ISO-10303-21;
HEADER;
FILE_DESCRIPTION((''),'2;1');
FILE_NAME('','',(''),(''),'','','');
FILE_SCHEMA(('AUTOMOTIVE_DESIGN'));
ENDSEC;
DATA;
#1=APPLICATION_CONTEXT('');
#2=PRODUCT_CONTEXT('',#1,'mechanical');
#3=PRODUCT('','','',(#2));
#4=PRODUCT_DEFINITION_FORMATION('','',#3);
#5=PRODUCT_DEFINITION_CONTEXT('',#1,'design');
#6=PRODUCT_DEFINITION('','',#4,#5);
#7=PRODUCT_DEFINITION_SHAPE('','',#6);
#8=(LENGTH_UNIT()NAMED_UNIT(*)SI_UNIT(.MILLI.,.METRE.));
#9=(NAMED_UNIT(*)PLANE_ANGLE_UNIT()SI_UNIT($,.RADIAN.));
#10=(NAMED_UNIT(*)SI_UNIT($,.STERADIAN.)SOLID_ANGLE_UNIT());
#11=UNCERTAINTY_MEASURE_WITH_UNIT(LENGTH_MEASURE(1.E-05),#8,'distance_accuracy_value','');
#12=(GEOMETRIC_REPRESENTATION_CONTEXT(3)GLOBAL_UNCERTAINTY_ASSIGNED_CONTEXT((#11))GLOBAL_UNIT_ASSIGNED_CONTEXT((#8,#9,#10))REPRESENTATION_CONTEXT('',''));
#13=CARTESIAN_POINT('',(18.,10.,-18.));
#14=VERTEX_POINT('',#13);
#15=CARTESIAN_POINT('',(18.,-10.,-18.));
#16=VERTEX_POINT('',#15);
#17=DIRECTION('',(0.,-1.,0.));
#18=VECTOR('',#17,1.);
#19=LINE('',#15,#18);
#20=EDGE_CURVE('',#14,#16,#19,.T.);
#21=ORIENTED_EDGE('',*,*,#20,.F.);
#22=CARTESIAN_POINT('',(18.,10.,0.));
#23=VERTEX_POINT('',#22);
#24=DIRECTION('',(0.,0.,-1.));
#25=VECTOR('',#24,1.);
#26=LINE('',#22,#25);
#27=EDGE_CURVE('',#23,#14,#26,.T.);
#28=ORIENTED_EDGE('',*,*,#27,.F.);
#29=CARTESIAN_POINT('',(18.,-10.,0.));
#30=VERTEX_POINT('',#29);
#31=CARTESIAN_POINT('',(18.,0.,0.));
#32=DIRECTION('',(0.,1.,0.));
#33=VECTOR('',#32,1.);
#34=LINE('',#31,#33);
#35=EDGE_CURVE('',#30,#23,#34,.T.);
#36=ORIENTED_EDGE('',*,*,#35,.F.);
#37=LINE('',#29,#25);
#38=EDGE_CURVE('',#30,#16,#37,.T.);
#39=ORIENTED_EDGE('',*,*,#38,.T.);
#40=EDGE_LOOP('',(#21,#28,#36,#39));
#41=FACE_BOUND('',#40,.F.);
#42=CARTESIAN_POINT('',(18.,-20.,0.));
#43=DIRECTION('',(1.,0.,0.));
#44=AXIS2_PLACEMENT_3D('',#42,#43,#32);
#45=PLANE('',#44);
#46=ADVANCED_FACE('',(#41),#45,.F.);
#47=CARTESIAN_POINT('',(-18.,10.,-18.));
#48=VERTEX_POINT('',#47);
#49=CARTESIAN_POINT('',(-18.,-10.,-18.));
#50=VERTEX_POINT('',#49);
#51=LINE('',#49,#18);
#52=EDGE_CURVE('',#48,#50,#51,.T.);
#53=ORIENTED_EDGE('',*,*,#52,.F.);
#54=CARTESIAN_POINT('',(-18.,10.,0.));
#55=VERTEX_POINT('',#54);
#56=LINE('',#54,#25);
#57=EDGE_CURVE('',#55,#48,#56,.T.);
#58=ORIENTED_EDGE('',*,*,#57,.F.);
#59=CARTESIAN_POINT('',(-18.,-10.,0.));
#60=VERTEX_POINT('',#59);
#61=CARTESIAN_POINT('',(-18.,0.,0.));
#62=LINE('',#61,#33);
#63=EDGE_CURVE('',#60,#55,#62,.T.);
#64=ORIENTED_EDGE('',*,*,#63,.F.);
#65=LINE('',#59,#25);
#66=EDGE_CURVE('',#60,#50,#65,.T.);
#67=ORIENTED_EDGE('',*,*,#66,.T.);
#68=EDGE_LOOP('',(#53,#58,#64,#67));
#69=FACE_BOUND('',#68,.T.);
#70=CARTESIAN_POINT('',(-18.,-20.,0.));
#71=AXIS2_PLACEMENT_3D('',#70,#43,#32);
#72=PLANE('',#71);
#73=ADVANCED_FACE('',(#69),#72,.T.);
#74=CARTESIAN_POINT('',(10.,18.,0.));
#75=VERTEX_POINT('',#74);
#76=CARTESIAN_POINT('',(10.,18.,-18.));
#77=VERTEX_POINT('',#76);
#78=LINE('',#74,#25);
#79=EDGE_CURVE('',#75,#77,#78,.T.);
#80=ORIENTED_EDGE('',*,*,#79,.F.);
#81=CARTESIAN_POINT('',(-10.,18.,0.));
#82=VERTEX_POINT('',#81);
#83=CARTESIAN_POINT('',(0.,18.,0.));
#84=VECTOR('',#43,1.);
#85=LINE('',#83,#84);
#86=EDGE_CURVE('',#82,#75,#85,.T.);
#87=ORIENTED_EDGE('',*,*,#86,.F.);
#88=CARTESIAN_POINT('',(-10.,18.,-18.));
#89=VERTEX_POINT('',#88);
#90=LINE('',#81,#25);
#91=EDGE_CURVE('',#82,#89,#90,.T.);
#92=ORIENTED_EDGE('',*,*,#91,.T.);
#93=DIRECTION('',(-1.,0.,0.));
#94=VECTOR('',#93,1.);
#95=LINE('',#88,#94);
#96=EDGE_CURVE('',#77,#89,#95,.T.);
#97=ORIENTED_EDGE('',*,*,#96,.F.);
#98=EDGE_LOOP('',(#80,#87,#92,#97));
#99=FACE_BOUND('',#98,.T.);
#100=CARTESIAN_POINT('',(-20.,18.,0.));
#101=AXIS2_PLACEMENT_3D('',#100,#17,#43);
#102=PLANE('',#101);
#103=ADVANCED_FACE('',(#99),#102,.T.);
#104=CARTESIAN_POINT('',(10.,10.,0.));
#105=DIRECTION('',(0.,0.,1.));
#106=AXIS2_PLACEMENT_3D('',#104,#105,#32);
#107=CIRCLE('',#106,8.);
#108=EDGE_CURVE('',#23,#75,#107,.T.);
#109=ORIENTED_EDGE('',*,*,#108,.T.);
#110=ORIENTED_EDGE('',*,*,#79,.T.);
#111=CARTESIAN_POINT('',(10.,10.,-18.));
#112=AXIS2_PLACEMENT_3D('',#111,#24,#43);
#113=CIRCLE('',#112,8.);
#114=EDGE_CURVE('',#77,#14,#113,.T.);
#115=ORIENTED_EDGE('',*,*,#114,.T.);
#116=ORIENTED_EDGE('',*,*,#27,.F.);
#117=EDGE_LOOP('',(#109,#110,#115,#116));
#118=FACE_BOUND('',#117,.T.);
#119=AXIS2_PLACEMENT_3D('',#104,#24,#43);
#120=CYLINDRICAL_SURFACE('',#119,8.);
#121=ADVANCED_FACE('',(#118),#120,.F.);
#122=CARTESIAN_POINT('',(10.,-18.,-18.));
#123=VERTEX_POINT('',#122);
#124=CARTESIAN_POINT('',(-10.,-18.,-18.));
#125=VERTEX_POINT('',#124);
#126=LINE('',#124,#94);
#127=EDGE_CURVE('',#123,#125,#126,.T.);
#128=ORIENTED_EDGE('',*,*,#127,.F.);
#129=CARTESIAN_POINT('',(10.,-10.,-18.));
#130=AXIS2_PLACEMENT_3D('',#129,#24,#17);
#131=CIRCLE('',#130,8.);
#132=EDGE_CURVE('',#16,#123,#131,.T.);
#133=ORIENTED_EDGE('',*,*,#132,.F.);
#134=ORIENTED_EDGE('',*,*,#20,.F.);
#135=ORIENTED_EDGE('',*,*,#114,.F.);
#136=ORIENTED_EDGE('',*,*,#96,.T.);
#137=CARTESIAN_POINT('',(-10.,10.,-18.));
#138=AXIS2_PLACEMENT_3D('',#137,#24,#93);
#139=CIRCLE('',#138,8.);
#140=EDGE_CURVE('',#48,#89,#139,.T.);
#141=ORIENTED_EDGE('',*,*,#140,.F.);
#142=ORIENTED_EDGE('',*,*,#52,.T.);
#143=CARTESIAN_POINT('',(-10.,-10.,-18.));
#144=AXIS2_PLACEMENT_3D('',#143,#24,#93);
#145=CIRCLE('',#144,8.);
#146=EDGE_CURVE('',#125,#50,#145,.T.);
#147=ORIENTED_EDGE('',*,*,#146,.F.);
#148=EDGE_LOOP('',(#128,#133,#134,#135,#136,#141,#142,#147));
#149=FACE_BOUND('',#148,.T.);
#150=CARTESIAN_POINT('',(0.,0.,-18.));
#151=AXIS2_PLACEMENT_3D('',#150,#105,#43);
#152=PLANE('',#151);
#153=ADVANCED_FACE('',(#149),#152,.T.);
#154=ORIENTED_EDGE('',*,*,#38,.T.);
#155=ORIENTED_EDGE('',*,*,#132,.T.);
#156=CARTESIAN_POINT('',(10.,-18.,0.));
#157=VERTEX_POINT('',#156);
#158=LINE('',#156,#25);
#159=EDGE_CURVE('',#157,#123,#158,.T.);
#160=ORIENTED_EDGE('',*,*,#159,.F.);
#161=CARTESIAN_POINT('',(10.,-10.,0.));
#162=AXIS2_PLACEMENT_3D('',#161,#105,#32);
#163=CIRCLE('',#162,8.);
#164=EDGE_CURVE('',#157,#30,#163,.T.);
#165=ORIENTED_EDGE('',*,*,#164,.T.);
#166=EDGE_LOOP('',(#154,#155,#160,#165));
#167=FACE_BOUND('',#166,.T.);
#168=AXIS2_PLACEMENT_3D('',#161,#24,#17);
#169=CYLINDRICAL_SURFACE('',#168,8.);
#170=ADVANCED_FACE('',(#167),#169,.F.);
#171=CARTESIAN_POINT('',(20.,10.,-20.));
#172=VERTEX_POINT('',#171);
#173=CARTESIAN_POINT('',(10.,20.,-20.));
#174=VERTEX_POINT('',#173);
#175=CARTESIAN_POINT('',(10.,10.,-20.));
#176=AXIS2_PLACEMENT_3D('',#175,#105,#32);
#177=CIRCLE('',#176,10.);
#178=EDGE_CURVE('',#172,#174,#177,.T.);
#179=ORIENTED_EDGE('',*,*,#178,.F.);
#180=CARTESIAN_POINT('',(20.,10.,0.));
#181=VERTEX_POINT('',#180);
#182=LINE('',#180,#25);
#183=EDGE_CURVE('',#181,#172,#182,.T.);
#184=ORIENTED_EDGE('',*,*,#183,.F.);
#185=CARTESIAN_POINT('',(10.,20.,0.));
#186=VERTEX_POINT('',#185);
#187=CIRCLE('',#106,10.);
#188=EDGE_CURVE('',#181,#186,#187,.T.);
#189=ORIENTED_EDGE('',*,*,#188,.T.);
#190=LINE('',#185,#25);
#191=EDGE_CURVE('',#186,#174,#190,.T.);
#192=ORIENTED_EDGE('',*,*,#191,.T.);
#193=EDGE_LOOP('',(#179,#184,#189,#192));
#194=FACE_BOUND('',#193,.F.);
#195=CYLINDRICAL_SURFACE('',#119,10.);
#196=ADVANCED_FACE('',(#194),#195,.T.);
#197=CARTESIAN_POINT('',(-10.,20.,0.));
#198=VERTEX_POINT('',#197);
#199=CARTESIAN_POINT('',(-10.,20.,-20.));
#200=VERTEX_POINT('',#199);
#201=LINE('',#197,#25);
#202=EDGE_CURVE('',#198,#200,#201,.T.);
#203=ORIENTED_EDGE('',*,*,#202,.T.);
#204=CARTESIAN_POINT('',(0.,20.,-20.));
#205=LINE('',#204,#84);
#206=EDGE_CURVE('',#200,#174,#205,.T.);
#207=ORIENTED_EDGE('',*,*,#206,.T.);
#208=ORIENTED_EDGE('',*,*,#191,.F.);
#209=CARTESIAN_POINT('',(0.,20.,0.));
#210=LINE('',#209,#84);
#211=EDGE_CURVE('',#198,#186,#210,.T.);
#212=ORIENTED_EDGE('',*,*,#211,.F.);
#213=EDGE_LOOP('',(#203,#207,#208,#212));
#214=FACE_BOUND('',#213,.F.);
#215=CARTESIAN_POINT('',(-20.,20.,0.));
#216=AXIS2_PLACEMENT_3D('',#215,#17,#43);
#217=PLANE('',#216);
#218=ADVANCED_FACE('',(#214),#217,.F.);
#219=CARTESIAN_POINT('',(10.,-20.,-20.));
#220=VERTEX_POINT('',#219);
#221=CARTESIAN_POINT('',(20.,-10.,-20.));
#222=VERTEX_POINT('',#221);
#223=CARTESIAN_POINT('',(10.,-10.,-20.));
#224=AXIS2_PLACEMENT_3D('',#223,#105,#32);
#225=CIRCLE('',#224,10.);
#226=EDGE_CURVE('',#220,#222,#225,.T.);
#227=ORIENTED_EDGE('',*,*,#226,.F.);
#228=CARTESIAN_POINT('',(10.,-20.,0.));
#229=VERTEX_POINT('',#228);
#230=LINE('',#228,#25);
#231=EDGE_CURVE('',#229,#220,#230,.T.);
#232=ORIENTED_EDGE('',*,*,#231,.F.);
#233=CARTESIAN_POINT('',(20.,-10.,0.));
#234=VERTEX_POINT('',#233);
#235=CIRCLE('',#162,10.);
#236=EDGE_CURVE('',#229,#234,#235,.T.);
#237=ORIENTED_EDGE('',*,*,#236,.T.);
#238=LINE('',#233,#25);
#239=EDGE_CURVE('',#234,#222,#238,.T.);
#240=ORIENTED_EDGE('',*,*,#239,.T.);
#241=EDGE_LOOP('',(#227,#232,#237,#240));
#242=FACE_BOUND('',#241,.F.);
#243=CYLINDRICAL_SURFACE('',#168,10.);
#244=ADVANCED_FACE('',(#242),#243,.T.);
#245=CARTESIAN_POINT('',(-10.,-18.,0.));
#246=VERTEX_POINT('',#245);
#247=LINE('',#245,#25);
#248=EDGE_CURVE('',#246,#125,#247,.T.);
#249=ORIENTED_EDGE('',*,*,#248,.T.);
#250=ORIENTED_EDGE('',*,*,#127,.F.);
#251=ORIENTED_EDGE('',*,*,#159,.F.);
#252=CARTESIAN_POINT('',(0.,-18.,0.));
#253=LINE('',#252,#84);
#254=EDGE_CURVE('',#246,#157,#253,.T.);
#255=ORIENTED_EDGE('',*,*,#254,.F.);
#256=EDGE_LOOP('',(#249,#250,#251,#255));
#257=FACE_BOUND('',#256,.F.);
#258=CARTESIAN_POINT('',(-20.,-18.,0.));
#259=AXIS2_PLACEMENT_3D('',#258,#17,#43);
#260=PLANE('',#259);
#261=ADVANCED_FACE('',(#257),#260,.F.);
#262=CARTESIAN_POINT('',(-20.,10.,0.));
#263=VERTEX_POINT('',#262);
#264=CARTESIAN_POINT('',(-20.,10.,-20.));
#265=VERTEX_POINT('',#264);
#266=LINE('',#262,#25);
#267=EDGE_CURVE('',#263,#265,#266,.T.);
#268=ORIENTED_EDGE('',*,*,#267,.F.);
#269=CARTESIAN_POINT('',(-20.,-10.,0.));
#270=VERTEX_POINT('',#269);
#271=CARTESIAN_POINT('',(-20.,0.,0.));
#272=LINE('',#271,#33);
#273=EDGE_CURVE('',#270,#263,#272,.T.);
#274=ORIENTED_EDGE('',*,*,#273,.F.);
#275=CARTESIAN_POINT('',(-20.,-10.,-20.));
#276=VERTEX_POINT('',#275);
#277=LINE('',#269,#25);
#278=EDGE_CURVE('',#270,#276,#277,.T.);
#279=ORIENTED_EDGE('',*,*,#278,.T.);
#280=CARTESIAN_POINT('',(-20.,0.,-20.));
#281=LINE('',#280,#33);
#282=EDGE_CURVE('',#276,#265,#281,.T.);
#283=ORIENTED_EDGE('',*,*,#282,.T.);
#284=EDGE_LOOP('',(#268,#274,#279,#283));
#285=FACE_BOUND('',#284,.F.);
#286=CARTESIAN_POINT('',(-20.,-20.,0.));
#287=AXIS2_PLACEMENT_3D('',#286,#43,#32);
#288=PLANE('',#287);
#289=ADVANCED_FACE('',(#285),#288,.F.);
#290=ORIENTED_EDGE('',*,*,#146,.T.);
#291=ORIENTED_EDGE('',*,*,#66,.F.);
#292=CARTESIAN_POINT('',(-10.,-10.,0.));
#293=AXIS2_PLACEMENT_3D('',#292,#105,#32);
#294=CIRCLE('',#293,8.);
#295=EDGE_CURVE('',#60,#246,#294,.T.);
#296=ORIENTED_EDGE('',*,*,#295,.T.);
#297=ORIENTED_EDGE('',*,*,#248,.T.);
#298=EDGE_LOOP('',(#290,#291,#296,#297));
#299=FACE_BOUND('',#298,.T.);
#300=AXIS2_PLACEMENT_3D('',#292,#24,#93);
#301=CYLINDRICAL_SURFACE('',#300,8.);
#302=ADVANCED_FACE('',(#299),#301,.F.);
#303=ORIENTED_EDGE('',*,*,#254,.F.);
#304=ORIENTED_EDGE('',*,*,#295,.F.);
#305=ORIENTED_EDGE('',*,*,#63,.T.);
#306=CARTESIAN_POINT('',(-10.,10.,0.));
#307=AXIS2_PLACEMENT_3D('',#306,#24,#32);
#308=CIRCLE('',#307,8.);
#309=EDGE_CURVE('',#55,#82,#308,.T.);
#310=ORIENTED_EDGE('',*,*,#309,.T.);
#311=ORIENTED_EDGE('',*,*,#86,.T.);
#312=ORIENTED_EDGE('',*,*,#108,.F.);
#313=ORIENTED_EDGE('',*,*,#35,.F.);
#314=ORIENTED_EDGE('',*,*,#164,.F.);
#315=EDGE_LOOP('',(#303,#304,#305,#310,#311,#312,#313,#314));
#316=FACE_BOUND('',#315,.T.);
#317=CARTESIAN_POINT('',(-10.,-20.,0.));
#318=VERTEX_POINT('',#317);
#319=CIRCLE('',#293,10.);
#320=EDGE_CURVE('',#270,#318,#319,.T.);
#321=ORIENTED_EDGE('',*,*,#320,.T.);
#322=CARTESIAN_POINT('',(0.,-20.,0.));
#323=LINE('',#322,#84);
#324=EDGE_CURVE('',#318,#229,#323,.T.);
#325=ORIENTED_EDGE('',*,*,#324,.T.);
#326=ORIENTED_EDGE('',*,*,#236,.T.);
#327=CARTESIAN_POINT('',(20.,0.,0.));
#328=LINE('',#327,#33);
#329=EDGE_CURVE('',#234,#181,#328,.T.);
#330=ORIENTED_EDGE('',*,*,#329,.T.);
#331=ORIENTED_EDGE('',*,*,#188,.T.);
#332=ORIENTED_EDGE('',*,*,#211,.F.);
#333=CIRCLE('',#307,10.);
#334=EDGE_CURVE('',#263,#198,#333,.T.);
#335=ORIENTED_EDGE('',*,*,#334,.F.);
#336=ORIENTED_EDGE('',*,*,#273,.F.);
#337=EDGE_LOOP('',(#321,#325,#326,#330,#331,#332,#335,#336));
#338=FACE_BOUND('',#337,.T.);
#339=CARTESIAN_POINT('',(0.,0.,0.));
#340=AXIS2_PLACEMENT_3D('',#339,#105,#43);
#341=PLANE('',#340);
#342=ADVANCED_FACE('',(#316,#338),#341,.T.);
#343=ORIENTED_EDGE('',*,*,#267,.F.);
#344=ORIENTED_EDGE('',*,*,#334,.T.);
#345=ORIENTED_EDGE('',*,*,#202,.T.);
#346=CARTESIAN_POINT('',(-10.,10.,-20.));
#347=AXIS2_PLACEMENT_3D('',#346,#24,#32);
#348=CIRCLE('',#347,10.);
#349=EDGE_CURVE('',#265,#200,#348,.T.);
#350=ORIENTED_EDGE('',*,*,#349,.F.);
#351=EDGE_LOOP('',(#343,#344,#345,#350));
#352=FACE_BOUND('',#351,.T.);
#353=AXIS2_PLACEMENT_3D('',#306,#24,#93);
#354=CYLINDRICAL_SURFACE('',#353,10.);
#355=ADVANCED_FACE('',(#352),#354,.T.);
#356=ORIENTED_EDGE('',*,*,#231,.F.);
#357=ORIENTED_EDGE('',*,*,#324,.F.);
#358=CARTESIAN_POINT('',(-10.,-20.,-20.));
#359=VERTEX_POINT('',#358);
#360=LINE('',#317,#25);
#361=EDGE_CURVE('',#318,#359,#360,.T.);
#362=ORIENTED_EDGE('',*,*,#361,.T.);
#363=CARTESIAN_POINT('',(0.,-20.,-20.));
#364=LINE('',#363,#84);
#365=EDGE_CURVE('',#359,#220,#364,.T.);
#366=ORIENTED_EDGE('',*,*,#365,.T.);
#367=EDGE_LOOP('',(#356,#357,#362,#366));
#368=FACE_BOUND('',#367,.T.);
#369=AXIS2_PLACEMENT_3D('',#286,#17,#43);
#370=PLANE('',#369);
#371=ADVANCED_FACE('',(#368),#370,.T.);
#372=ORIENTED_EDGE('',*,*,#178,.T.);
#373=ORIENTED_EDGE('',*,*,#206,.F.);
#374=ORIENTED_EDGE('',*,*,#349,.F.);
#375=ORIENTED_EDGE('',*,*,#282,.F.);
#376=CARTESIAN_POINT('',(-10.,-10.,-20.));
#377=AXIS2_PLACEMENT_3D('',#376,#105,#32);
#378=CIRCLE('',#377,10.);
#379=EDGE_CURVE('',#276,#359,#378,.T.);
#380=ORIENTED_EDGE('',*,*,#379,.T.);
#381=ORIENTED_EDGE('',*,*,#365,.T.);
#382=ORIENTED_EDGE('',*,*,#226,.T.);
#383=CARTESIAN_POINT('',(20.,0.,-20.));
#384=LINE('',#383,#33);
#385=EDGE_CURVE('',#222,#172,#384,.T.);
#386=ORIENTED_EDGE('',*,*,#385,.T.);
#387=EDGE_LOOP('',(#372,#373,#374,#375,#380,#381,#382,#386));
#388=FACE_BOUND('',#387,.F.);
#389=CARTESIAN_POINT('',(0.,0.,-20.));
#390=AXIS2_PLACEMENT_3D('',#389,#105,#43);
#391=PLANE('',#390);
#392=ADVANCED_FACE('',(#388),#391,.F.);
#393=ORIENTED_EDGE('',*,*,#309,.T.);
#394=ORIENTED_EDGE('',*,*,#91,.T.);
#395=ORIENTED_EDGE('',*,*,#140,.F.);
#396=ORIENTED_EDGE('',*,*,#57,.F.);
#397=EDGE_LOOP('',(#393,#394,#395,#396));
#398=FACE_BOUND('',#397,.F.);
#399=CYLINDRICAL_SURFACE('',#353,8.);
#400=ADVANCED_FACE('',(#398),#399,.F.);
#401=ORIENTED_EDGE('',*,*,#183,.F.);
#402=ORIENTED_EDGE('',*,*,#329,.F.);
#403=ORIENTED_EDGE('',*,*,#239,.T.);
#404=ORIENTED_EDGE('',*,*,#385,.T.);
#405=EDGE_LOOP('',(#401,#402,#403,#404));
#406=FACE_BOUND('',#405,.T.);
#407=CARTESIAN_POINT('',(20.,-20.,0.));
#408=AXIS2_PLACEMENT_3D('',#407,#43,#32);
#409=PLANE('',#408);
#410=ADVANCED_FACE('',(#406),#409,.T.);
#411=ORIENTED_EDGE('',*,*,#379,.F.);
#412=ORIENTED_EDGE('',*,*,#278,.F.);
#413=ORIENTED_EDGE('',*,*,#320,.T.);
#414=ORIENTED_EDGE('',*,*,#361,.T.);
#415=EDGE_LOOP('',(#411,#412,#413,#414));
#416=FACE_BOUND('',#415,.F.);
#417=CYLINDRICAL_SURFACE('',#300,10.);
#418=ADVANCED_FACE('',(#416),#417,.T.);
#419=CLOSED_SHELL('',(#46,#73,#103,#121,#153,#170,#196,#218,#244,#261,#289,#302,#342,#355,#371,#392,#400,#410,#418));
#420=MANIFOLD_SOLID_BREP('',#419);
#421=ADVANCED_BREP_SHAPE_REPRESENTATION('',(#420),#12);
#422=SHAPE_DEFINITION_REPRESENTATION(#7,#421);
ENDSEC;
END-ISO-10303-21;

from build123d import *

# Parameters (mm, degrees)
F0_W     = 40
F0_H     = 40
F1_DEPTH = 20
F2_R     = 10
F3_T     = -2


with BuildPart() as f1:
    # F0 (on Top) → F1 (new body)
    with BuildSketch(Plane.XY):
        Rectangle(F0_W, F0_H)
    extrude(amount=-F1_DEPTH)

    # F2
    f2_edges = [f1.edges().sort_by_distance(p)[0] for p in [
        (-20, -20, -10),
        (20, -20, -10),
        (20, 20, -10),
        (-20, 20, -10),
    ]]
    fillet(f2_edges, radius=F2_R)

    # F3
    f3_openings = [f1.faces().sort_by_distance(p)[0] for p in [
        (0, 0, 0),
    ]]
    offset(amount=F3_T, openings=f3_openings)


solid = f1.part
